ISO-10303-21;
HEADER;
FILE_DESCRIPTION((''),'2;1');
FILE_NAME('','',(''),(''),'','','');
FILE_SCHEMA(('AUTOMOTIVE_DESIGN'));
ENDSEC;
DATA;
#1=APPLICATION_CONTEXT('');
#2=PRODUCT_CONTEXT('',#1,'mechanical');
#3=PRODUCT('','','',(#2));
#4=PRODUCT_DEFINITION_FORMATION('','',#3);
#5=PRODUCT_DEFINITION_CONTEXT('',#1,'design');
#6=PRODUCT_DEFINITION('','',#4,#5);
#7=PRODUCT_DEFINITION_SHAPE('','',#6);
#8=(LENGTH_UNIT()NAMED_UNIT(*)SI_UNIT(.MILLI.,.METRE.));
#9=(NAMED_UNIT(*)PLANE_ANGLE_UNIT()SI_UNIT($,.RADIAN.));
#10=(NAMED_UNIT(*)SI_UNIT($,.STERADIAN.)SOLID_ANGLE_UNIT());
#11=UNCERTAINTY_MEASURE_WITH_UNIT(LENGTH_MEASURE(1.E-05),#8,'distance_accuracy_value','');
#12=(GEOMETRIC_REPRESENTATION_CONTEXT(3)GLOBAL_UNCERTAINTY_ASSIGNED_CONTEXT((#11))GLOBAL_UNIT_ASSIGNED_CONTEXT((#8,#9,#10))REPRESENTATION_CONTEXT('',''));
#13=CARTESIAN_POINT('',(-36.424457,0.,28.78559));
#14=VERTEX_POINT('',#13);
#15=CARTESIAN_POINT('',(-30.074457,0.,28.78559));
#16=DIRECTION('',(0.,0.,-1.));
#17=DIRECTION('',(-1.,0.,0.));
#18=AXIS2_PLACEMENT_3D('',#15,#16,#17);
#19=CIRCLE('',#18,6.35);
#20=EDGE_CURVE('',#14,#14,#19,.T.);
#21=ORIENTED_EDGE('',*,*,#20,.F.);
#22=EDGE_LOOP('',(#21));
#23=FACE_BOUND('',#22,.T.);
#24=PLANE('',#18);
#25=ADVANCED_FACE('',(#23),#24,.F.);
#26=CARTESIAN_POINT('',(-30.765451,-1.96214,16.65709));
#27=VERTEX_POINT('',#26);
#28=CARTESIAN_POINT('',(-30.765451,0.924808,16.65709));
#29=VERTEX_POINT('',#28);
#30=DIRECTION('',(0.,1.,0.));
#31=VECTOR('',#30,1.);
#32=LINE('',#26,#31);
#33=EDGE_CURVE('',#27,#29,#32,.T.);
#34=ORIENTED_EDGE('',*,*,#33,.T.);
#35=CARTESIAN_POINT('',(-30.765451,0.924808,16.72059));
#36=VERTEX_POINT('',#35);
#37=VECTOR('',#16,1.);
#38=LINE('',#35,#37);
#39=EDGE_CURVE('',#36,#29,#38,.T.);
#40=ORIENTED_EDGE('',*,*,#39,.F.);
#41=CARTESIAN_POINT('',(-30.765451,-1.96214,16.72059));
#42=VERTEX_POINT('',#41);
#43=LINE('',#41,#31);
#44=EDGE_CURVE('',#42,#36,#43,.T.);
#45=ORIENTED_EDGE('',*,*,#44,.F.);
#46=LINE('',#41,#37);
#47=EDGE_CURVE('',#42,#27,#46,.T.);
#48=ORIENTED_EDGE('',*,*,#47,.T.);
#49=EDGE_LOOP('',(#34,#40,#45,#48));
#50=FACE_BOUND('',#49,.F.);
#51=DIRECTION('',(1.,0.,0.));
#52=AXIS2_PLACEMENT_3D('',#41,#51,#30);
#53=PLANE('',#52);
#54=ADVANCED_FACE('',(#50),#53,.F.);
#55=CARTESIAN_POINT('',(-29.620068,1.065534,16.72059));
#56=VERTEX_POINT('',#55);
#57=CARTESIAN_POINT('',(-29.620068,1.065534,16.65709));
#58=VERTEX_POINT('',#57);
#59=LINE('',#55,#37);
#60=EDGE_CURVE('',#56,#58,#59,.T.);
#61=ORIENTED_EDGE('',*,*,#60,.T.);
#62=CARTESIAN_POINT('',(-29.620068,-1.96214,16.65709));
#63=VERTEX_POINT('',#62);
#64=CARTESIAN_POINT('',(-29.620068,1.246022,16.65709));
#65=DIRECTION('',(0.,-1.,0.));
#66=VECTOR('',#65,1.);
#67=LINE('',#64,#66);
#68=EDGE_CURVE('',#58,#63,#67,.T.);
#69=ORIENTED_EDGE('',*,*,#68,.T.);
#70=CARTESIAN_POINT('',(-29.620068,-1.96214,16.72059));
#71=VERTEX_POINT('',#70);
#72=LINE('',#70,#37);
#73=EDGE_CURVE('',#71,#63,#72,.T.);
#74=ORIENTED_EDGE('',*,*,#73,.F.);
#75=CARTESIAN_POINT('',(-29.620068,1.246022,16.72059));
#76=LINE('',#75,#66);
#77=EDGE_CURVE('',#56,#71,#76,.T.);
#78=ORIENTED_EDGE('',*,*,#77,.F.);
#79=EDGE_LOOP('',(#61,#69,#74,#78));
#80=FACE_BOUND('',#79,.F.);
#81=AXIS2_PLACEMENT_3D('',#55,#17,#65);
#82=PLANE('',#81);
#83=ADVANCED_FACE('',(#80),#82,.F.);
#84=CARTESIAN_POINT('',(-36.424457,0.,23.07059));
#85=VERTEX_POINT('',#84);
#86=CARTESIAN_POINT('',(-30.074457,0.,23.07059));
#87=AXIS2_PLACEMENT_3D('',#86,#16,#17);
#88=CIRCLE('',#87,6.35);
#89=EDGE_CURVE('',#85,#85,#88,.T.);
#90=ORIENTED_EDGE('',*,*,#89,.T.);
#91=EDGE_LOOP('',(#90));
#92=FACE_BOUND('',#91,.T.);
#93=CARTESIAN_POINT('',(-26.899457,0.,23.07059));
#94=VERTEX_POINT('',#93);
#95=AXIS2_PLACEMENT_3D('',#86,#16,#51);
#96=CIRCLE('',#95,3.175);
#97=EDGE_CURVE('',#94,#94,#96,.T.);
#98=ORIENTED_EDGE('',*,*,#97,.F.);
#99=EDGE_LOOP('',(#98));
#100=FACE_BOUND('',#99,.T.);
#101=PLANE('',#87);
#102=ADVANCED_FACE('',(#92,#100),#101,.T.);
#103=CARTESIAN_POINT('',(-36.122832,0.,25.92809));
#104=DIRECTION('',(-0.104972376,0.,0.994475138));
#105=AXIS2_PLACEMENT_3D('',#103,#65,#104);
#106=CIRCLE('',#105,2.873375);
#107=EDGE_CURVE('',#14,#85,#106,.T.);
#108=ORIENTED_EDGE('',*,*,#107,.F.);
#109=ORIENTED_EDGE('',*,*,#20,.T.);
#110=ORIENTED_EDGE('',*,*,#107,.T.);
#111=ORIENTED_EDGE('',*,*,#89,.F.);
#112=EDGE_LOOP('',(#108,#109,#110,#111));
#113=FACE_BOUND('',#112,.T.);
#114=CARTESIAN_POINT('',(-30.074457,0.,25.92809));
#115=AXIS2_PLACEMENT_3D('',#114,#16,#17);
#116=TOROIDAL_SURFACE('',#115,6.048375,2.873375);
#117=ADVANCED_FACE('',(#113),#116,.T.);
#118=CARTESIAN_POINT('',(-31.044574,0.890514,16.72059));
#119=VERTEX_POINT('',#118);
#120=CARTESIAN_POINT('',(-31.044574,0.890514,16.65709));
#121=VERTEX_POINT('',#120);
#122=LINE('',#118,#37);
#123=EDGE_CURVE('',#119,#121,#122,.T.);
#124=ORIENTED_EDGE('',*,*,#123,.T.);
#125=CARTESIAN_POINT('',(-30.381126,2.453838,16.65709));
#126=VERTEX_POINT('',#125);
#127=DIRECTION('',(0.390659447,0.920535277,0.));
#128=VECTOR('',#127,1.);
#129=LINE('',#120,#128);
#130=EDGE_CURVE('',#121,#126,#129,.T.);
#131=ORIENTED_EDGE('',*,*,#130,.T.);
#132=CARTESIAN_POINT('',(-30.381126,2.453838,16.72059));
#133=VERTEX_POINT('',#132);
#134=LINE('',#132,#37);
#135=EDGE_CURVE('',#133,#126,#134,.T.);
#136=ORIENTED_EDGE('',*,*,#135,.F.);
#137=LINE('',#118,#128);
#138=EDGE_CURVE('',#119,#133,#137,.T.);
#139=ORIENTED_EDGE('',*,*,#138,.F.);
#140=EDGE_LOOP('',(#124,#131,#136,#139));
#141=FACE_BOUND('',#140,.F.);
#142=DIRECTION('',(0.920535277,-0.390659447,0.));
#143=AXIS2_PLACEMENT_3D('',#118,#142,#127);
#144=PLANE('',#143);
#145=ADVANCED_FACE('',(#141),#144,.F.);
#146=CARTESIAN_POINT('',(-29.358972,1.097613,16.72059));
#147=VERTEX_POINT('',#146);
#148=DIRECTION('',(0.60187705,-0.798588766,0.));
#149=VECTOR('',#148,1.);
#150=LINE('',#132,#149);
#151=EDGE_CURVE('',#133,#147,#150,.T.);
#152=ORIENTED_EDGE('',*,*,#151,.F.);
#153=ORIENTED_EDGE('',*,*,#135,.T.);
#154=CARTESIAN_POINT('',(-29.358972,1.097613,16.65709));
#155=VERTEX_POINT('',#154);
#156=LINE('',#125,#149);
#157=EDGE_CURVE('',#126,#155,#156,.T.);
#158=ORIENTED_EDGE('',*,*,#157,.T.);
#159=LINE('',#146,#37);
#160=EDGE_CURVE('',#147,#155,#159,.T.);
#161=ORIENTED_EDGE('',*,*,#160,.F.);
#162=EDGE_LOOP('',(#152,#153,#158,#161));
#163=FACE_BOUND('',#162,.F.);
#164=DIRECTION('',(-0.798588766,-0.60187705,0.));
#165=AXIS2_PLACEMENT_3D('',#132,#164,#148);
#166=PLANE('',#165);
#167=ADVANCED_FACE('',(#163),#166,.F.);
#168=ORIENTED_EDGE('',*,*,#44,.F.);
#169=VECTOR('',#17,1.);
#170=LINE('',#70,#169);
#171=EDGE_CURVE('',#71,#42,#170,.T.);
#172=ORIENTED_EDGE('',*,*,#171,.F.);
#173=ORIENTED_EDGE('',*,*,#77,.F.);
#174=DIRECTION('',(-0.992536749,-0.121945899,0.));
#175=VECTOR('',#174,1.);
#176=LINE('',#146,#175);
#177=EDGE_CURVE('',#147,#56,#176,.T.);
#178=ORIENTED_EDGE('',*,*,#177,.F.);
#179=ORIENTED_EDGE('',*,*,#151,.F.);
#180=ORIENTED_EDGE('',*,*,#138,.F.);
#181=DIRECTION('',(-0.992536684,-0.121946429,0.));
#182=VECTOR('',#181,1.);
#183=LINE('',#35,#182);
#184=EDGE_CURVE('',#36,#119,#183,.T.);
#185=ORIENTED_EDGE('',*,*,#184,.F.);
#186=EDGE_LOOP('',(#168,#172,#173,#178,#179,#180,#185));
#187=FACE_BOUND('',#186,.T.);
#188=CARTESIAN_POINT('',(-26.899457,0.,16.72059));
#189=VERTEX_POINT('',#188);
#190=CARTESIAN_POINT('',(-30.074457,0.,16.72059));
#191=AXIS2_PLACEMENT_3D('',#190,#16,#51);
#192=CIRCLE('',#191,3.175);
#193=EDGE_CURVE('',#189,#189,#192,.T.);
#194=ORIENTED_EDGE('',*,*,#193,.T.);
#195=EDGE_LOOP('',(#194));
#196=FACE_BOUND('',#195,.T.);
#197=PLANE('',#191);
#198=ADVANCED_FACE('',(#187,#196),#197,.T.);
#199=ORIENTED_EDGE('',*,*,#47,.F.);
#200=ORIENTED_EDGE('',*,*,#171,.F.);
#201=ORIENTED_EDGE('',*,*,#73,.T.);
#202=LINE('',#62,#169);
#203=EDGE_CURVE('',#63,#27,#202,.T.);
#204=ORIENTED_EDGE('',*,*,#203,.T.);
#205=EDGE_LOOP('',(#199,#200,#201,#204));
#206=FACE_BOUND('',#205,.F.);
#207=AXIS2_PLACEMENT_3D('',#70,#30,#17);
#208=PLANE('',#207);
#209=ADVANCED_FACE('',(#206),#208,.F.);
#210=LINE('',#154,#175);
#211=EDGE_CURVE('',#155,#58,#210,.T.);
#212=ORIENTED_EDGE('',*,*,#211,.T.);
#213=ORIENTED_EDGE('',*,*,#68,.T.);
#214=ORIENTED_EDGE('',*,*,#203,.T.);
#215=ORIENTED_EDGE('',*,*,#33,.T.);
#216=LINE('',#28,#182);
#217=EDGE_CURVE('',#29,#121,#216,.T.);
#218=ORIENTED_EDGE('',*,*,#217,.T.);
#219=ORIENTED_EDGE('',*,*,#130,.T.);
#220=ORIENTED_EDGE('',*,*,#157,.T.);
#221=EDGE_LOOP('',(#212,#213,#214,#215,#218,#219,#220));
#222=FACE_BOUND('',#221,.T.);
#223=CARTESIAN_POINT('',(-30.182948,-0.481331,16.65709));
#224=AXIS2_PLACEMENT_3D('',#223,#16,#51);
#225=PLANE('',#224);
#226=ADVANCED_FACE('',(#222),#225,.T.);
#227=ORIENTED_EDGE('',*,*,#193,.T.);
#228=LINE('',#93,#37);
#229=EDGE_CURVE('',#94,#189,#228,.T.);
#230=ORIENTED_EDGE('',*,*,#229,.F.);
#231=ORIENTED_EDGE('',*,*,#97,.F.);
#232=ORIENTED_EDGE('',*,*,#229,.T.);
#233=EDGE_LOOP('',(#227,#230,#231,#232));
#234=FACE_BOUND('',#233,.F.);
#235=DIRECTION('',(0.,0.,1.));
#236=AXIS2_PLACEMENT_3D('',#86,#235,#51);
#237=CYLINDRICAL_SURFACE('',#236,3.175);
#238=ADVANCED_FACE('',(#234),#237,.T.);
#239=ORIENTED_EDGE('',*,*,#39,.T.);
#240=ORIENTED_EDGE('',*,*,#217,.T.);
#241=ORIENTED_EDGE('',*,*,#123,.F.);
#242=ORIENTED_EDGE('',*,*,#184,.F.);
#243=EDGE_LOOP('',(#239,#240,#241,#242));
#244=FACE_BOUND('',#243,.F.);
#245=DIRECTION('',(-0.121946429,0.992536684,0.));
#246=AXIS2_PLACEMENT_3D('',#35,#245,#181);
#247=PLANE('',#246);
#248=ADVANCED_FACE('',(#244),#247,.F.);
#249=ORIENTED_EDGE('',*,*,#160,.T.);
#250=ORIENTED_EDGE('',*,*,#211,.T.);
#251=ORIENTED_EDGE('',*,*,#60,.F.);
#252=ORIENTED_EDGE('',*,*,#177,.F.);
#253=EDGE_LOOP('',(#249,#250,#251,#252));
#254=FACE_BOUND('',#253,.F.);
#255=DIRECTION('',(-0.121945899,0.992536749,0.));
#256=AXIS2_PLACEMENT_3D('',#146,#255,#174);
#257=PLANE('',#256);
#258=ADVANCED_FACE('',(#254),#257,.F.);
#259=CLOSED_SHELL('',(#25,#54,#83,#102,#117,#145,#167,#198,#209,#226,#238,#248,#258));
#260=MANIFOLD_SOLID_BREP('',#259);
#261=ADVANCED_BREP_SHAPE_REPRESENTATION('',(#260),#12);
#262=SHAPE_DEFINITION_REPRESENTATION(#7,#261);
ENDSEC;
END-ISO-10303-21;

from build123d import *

# Parameters (mm, degrees)
F2_R     = 3.175
F3_DEPTH = 6.35
F5_DEPTH = 0.0635


with BuildPart() as f1:
    # F0 (on Front) → F1 (revolve)
    with BuildSketch(Plane.XZ):
        with BuildLine():
            Line((-30.074457, 23.07059), (-30.074457, 28.78559))
            Line((-30.074457, 28.78559), (-36.424457, 28.78559))
            ThreePointArc((-36.424457, 28.78559), (-38.996207, 25.92809), (-36.424457, 23.07059))
            Line((-36.424457, 23.07059), (-30.074457, 23.07059))
        make_face()
    revolve(axis=Axis((-30.074457, 0, 26.24559), (0, 0, -1)))

    # F2 (on face) → F3 (join)
    with BuildSketch(Plane(origin=(0, 0, 23.07059), x_dir=(1, 0, 0), z_dir=(0, 0, -1))):
        with Locations((-30.074457, 0)):
            Circle(F2_R)
    extrude(amount=F3_DEPTH)

    # F4 (on face) → F5 (join)
    with BuildSketch(Plane(origin=(0, 0, 16.72059), x_dir=(1, 0, 0), z_dir=(0, 0, -1))):
        Polygon((-30.765451, -0.924808), (-29.620068, -1.065534), (-29.620068, 1.96214), (-30.765451, 1.96214), align=None)
        Polygon((-30.765451, -1.246022), (-29.620068, -1.246022), (-29.620068, -1.065534), (-30.765451, -0.924808), align=None)
        Polygon((-29.620068, -1.065534), (-29.620068, -1.246022), (-30.765451, -1.246022), (-30.765451, -0.924808), (-31.044574, -0.890514), (-30.381126, -2.453838), (-29.358972, -1.097613), align=None)
    extrude(amount=F5_DEPTH)


solid = f1.part
